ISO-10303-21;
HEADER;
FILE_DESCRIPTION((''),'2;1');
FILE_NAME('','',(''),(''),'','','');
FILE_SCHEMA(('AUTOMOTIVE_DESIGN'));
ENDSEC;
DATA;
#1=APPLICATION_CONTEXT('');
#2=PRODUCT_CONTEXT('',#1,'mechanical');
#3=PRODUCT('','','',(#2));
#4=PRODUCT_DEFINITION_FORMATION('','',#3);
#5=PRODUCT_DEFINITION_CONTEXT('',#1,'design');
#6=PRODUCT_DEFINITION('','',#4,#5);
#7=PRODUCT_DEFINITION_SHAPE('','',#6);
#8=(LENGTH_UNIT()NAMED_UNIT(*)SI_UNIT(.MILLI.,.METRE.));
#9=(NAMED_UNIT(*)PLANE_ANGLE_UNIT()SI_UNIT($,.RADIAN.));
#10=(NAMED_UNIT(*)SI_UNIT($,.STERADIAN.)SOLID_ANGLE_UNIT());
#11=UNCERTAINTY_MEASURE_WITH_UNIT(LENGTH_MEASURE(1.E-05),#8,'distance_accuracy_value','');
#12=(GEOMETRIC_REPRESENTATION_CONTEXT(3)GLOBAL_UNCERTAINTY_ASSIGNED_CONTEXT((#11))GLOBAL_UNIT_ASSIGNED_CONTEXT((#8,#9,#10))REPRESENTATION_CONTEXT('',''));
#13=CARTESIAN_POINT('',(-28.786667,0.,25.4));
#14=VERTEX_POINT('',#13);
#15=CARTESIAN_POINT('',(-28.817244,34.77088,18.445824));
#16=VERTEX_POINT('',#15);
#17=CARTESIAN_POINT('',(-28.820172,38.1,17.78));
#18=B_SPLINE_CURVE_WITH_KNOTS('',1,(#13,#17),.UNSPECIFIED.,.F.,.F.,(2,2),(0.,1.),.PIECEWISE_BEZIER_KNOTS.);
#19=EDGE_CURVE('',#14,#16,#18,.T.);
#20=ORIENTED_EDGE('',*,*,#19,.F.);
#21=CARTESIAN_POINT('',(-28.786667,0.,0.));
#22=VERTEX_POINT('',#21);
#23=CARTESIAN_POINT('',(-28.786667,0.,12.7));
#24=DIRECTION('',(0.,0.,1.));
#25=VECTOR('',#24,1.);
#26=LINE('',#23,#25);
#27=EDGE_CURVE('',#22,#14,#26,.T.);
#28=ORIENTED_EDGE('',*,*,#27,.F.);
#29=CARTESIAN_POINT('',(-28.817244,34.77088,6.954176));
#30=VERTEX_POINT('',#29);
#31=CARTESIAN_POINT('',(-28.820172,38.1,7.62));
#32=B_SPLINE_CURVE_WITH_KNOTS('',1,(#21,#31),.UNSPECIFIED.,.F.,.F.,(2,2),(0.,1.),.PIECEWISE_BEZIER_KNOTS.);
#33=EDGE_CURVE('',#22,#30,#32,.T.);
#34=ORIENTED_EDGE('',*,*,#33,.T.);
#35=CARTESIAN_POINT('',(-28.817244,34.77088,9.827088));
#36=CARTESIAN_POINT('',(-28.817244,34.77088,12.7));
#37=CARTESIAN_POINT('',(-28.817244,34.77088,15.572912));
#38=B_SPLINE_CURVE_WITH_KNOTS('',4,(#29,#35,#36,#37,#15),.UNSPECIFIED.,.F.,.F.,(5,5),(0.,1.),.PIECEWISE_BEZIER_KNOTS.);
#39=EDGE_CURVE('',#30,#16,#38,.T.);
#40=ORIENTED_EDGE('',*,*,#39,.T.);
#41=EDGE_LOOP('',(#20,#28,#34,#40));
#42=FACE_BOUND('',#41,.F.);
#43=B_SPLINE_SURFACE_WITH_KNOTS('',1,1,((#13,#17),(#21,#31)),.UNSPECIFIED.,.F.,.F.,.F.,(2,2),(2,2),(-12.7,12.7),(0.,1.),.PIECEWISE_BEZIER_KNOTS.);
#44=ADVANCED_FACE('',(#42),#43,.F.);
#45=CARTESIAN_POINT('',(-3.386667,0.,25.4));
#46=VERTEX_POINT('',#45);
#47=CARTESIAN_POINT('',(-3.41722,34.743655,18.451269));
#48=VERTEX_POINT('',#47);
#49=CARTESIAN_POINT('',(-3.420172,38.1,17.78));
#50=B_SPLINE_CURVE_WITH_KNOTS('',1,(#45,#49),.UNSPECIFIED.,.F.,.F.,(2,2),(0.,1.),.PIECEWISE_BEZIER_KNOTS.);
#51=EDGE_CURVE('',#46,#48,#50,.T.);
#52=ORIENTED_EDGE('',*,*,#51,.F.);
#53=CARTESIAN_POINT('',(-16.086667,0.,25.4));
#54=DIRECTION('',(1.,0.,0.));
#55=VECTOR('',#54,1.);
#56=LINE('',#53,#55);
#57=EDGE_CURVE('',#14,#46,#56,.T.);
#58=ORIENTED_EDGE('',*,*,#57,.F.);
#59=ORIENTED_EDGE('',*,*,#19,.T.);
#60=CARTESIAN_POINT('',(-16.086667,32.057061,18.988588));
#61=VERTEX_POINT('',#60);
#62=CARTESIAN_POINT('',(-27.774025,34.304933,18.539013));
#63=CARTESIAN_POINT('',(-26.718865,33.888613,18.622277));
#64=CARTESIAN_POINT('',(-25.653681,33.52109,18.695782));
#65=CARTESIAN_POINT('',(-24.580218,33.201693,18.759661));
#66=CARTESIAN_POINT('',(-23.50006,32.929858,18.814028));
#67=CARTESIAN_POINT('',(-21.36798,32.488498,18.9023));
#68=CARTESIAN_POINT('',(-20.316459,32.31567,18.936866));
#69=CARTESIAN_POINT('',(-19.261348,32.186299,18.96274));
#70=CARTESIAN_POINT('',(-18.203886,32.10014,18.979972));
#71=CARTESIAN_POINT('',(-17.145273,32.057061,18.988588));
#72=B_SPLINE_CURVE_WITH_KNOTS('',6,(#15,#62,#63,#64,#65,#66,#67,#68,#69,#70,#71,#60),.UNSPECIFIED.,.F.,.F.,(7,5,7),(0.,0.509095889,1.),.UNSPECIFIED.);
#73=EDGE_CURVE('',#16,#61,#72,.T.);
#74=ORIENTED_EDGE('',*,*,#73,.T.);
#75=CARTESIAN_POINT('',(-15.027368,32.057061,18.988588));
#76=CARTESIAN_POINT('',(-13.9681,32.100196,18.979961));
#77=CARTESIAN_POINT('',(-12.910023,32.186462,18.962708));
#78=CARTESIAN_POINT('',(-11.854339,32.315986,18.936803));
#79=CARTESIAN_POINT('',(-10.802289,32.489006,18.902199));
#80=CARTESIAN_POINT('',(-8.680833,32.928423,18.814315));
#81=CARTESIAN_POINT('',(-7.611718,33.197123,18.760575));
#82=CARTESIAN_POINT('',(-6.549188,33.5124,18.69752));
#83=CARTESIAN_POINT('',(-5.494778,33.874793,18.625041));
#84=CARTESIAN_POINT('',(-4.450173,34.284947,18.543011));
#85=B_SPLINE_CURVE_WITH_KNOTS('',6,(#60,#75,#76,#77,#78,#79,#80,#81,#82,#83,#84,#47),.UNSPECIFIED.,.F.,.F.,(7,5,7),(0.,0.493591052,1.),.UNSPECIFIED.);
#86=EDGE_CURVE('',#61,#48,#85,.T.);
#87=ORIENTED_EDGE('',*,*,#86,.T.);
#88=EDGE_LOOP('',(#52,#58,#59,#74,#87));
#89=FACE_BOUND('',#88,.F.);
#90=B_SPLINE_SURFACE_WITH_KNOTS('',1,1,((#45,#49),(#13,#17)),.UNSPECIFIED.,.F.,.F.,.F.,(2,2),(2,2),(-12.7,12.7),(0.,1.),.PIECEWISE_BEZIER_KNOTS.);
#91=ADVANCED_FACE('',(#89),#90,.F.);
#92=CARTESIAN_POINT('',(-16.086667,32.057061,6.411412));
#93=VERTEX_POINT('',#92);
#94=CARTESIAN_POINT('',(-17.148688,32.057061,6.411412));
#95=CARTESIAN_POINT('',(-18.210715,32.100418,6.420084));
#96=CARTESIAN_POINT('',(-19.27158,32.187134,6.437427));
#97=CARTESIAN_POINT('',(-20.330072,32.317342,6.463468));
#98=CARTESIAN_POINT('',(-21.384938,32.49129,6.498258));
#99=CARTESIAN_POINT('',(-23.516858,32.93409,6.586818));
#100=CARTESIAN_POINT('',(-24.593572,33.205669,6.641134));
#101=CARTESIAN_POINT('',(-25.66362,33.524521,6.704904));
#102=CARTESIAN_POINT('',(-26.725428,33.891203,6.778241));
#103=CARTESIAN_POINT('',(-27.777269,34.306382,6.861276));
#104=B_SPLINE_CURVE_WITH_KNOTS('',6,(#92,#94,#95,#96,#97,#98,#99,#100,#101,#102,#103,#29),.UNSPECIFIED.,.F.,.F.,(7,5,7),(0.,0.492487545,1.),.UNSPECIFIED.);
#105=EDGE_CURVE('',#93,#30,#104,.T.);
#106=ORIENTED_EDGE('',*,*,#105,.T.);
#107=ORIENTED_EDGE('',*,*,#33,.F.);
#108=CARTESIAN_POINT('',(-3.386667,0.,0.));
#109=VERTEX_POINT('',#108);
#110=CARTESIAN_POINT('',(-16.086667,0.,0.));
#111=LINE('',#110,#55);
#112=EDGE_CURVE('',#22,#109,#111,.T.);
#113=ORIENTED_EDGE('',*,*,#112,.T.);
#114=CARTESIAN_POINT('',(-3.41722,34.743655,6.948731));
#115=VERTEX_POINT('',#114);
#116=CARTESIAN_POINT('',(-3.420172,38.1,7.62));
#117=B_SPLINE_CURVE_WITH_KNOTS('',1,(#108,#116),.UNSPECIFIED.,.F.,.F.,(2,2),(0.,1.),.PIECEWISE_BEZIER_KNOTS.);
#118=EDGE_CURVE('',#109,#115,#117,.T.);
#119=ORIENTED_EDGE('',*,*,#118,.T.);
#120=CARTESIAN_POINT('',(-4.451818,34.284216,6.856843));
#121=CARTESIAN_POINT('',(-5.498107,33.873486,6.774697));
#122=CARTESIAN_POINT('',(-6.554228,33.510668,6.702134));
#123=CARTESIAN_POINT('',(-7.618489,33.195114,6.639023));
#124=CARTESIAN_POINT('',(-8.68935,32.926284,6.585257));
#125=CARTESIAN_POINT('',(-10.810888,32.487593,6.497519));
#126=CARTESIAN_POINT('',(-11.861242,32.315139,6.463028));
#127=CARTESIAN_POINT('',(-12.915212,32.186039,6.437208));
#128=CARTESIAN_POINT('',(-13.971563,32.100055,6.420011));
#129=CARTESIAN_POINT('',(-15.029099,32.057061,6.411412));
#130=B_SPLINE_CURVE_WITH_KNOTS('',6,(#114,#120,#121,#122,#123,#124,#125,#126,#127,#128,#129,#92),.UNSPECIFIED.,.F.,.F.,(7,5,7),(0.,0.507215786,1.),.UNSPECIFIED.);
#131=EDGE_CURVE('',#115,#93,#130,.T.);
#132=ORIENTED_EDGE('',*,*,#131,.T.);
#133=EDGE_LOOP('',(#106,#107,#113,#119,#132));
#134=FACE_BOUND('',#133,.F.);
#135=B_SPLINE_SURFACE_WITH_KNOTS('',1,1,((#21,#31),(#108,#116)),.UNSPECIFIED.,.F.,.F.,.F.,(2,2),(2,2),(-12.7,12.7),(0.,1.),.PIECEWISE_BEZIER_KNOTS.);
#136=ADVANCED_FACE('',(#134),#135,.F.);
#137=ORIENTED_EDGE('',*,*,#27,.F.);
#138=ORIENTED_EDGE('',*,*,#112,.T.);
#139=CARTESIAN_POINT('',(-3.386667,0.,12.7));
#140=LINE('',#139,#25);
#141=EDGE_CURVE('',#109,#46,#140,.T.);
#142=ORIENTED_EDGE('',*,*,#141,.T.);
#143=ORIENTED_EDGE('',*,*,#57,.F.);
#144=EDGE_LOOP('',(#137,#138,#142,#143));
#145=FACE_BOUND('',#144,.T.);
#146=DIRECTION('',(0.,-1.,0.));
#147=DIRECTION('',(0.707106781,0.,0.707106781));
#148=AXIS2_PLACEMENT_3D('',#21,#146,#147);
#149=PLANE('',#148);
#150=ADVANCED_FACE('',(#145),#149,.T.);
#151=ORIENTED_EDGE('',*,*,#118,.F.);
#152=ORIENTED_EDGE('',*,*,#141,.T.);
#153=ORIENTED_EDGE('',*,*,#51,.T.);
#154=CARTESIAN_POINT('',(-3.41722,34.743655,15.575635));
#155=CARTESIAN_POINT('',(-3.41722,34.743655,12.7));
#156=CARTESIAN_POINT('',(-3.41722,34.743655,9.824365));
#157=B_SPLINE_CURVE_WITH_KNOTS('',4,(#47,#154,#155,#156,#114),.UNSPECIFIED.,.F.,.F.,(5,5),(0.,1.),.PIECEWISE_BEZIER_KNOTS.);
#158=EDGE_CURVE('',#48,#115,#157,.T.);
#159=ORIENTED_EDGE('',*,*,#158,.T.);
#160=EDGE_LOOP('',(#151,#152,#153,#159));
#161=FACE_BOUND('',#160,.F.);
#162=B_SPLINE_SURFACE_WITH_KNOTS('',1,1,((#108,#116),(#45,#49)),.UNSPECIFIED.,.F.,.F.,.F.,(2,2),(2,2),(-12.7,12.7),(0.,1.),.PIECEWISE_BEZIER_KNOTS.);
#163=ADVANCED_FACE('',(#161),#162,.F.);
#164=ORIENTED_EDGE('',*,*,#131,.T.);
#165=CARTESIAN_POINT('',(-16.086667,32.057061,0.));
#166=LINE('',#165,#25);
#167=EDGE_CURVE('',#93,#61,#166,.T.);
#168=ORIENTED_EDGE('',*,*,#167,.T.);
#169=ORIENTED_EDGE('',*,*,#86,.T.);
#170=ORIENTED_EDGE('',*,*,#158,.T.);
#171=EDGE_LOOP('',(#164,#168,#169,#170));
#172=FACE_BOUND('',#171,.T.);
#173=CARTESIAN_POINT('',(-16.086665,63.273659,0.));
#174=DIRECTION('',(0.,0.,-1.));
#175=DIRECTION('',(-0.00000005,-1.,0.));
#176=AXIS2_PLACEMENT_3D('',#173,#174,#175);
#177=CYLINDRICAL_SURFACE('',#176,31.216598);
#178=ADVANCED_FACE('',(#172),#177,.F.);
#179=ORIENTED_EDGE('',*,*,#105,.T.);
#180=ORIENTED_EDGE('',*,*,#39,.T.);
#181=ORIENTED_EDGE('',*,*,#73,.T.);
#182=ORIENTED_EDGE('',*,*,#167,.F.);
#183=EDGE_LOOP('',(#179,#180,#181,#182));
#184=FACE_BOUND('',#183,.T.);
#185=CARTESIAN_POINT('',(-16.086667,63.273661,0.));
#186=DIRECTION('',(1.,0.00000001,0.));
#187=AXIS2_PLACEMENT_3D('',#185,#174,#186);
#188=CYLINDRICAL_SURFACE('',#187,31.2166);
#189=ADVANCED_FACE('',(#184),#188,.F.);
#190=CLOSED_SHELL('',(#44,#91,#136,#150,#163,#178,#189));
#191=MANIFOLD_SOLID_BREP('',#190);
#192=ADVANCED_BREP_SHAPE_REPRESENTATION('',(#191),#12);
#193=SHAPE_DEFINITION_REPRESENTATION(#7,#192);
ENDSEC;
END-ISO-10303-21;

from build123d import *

# Parameters (mm, degrees)
F3_W     = 25.4
F3_H     = 25.4
F2_W     = 25.4
F2_H     = 10.16
F5_DEPTH = 25.4


with BuildPart() as f4:
    # F3 (on Front) → F4 section 0
    with BuildSketch(Plane.XZ):
        with Locations((-16.086667, 12.7)):
            Rectangle(F3_W, F3_H)
    # F2 (on offset) → F4 section 1
    with BuildSketch(Plane.XZ.offset(-38.1)):
        with Locations((-16.120172, 12.7)):
            Rectangle(F2_W, F2_H)
    loft()

    # F0 (on Top) → F5 (cut)
    with BuildSketch(Plane.XY):
        with BuildLine():
            ThreePointArc((-16.086667, 32.057061), (5.986803, 41.200191), (15.129933, 63.273661))
            ThreePointArc((15.129933, 63.273661), (-38.160136, 85.34713), (-16.086667, 32.057061))
        make_face()
    extrude(amount=F5_DEPTH, mode=Mode.SUBTRACT)


solid = f4.part
